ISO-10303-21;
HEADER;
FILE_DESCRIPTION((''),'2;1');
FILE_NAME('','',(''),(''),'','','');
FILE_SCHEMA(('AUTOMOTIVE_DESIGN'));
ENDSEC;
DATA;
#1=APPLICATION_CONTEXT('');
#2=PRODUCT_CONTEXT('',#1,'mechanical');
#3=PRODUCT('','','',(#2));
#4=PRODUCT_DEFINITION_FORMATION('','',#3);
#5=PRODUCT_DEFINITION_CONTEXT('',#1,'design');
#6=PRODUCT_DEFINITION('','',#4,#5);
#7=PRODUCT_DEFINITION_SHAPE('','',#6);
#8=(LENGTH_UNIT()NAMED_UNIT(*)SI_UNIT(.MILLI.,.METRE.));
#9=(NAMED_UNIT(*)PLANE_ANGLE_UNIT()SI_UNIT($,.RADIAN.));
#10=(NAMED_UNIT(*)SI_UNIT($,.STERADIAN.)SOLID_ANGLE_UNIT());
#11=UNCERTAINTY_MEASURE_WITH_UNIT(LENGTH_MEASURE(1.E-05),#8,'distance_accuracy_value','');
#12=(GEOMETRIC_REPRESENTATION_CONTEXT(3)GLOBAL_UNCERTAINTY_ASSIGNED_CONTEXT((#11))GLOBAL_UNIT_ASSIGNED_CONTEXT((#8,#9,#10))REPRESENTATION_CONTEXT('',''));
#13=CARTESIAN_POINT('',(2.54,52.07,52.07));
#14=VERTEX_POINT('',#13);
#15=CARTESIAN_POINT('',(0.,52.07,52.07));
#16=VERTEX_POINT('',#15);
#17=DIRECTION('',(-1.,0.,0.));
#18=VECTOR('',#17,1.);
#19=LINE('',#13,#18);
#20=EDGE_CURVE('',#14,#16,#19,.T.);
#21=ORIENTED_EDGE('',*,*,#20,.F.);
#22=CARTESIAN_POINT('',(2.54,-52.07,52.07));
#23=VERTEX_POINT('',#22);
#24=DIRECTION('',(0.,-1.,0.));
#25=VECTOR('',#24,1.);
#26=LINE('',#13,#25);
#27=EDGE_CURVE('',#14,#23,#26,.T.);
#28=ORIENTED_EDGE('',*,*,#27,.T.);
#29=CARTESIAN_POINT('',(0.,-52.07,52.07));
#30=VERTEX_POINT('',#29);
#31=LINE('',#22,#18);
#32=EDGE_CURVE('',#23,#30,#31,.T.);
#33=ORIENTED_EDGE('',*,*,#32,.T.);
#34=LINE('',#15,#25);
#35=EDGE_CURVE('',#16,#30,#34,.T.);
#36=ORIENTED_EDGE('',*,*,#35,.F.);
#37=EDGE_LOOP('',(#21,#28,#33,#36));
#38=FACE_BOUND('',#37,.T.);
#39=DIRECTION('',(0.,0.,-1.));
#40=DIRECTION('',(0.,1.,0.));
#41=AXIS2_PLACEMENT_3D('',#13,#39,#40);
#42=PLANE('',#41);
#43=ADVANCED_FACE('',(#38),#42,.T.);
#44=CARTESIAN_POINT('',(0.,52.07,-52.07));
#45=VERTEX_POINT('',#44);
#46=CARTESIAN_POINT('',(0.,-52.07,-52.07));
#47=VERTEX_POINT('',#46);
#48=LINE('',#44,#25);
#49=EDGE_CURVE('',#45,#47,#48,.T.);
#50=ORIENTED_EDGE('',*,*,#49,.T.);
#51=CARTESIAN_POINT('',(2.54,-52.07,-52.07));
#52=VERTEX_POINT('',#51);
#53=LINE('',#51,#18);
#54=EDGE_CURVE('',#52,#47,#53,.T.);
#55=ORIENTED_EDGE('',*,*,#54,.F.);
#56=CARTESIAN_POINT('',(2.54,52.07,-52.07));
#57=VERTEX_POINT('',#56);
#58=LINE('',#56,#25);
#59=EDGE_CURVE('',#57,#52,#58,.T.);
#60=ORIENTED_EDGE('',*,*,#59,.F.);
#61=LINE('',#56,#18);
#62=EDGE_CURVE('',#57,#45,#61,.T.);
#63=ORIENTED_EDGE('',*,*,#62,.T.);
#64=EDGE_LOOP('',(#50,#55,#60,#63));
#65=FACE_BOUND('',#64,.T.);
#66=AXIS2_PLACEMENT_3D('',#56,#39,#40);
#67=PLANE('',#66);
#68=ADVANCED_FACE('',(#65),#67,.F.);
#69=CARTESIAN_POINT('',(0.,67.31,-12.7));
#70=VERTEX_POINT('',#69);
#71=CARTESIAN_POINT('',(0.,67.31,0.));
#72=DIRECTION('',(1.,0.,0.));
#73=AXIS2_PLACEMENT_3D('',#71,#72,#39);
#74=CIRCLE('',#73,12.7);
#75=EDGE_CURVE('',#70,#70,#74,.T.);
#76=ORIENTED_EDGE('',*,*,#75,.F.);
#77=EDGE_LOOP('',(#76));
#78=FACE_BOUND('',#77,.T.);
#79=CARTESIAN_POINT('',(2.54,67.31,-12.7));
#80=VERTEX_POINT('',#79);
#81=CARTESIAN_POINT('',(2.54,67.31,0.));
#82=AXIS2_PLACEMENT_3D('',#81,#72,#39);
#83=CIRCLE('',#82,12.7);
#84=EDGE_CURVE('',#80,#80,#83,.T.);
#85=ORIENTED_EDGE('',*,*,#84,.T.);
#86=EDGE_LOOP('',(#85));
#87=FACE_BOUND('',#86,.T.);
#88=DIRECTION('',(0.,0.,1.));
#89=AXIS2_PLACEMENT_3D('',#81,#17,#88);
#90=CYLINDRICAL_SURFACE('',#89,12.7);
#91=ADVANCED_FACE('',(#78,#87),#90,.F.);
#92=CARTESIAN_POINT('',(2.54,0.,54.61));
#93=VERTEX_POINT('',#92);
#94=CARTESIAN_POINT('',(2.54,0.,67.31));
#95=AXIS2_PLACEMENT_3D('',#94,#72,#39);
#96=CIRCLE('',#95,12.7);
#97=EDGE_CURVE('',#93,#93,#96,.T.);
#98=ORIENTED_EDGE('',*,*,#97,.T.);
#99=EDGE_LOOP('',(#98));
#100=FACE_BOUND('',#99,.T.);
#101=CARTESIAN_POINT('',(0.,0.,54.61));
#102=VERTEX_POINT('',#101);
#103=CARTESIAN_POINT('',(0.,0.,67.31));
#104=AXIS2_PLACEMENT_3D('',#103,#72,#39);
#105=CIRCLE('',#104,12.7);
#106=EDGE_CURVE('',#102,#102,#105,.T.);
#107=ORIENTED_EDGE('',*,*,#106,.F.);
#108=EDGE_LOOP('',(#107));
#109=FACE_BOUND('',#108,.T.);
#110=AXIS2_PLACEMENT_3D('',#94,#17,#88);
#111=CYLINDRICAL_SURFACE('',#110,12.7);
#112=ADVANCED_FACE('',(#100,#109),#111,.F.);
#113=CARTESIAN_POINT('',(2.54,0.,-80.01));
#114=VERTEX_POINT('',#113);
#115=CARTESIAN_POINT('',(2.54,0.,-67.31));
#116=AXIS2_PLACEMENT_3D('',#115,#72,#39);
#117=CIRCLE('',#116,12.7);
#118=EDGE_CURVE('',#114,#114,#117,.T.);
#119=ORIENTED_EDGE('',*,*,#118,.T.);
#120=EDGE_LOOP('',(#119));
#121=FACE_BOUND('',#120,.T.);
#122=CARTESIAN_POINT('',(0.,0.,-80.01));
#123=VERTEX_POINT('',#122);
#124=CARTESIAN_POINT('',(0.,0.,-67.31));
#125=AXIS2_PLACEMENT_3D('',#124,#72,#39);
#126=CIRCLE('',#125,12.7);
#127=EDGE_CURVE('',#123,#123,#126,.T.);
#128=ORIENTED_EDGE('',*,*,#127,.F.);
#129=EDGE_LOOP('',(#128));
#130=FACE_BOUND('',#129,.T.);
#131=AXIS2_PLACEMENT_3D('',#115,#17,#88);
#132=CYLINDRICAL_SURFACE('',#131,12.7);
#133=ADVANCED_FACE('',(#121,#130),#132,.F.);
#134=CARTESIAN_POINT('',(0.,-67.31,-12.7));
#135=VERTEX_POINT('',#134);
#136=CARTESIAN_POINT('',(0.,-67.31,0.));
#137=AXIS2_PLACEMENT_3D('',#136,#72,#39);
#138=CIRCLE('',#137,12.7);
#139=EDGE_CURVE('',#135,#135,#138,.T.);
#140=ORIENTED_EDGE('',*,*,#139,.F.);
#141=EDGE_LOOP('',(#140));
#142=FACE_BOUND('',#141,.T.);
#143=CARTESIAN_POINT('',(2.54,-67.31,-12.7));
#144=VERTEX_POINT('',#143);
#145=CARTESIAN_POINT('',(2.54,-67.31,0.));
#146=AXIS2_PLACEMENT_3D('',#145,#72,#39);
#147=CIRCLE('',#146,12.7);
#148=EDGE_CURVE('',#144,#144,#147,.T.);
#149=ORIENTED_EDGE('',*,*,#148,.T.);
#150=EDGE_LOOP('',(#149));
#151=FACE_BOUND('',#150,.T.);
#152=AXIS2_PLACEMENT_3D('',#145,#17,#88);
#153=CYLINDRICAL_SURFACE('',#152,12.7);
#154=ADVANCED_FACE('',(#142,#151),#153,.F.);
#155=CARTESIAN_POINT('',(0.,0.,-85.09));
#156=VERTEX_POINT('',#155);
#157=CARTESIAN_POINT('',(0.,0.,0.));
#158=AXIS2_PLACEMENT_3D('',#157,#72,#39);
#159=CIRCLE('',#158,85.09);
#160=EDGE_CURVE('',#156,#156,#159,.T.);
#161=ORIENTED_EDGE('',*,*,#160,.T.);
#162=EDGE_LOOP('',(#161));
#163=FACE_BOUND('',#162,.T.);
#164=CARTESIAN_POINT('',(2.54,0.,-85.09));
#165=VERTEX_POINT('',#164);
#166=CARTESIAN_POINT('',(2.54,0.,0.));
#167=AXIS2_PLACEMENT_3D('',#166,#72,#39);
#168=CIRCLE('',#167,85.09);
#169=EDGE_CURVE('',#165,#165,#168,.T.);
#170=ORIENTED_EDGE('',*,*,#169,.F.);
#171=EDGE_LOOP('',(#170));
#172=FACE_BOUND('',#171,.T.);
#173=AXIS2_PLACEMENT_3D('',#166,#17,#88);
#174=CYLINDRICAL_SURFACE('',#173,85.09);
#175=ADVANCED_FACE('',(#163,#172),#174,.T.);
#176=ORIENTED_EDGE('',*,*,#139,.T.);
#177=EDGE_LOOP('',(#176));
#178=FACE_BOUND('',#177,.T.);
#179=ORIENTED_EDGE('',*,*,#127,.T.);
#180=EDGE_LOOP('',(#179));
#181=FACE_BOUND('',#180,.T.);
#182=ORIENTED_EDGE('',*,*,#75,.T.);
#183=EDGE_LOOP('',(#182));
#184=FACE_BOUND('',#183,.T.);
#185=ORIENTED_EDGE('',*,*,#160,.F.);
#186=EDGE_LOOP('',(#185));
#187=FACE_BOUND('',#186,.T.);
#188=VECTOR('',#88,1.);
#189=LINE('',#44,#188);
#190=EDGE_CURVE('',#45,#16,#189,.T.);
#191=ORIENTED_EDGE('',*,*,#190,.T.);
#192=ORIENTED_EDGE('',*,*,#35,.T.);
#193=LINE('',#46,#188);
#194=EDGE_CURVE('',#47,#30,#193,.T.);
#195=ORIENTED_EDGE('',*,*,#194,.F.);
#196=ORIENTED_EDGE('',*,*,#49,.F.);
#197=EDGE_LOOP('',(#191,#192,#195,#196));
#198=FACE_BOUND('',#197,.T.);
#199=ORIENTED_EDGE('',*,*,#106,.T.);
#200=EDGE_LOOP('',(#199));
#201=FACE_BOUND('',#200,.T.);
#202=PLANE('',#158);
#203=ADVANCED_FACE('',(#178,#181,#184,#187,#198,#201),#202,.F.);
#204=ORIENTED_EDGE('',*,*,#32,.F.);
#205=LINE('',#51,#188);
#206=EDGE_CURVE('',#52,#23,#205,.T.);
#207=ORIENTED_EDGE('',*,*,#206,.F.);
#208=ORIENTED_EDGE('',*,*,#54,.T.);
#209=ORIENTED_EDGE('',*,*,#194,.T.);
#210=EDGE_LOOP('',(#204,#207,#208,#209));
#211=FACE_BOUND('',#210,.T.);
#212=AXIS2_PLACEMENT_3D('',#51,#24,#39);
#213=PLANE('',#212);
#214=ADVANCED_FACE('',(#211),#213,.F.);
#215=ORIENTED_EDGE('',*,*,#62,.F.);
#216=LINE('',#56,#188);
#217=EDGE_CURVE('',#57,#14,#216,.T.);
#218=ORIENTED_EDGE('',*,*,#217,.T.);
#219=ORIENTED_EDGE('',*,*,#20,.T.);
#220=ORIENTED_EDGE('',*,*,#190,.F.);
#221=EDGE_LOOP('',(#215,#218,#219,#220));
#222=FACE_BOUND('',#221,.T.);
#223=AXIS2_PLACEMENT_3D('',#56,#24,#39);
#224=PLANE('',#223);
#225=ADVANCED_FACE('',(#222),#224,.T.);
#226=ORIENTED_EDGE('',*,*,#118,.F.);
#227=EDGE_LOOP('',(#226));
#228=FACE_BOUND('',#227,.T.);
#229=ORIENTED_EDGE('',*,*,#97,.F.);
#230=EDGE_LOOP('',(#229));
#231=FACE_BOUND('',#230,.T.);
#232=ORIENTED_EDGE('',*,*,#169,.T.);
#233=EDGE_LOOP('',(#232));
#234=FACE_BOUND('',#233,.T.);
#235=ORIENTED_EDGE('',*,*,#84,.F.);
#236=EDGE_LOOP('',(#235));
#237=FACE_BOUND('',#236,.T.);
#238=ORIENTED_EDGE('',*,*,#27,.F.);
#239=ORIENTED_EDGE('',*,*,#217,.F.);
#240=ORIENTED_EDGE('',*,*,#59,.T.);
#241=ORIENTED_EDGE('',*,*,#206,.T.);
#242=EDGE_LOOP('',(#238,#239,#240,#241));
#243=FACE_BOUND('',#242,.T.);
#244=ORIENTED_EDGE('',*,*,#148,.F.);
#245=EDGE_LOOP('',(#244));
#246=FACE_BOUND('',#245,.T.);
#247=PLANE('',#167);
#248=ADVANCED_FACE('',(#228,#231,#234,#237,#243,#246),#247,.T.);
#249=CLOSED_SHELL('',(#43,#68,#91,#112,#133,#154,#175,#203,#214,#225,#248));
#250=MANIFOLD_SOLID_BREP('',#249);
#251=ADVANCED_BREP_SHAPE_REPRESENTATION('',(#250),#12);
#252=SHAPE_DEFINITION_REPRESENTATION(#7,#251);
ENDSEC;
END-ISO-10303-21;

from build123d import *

# Parameters (mm, degrees)
SKETCH2_R           = 85.09
SKETCH2_R_2         = 12.7
SKETCH2_W           = 104.14
SKETCH2_H           = 104.14
BOSS_EXTRUDE1_DEPTH = 2.54


with BuildPart() as part:
    # Sketch2 → Boss-Extrude1 (new body)
    with BuildSketch(Plane.YZ):
        with Locations(Location((0, 0, 0), (0, 0, 270))):
            Circle(SKETCH2_R)
        with Locations(Location((0, 67.31, 0), (0, 0, 270))):
            Circle(SKETCH2_R_2, mode=Mode.SUBTRACT)
        with Locations(Location((67.31, 0, 0), (0, 0, 270))):
            Circle(SKETCH2_R_2, mode=Mode.SUBTRACT)
        with Locations(Location((0, -67.31, 0), (0, 0, 270))):
            Circle(SKETCH2_R_2, mode=Mode.SUBTRACT)
        with Locations(Location((-67.31, 0, 0), (0, 0, 270))):
            Circle(SKETCH2_R_2, mode=Mode.SUBTRACT)
        Rectangle(SKETCH2_W, SKETCH2_H, mode=Mode.SUBTRACT)
    extrude(amount=BOSS_EXTRUDE1_DEPTH)


solid = part.part
